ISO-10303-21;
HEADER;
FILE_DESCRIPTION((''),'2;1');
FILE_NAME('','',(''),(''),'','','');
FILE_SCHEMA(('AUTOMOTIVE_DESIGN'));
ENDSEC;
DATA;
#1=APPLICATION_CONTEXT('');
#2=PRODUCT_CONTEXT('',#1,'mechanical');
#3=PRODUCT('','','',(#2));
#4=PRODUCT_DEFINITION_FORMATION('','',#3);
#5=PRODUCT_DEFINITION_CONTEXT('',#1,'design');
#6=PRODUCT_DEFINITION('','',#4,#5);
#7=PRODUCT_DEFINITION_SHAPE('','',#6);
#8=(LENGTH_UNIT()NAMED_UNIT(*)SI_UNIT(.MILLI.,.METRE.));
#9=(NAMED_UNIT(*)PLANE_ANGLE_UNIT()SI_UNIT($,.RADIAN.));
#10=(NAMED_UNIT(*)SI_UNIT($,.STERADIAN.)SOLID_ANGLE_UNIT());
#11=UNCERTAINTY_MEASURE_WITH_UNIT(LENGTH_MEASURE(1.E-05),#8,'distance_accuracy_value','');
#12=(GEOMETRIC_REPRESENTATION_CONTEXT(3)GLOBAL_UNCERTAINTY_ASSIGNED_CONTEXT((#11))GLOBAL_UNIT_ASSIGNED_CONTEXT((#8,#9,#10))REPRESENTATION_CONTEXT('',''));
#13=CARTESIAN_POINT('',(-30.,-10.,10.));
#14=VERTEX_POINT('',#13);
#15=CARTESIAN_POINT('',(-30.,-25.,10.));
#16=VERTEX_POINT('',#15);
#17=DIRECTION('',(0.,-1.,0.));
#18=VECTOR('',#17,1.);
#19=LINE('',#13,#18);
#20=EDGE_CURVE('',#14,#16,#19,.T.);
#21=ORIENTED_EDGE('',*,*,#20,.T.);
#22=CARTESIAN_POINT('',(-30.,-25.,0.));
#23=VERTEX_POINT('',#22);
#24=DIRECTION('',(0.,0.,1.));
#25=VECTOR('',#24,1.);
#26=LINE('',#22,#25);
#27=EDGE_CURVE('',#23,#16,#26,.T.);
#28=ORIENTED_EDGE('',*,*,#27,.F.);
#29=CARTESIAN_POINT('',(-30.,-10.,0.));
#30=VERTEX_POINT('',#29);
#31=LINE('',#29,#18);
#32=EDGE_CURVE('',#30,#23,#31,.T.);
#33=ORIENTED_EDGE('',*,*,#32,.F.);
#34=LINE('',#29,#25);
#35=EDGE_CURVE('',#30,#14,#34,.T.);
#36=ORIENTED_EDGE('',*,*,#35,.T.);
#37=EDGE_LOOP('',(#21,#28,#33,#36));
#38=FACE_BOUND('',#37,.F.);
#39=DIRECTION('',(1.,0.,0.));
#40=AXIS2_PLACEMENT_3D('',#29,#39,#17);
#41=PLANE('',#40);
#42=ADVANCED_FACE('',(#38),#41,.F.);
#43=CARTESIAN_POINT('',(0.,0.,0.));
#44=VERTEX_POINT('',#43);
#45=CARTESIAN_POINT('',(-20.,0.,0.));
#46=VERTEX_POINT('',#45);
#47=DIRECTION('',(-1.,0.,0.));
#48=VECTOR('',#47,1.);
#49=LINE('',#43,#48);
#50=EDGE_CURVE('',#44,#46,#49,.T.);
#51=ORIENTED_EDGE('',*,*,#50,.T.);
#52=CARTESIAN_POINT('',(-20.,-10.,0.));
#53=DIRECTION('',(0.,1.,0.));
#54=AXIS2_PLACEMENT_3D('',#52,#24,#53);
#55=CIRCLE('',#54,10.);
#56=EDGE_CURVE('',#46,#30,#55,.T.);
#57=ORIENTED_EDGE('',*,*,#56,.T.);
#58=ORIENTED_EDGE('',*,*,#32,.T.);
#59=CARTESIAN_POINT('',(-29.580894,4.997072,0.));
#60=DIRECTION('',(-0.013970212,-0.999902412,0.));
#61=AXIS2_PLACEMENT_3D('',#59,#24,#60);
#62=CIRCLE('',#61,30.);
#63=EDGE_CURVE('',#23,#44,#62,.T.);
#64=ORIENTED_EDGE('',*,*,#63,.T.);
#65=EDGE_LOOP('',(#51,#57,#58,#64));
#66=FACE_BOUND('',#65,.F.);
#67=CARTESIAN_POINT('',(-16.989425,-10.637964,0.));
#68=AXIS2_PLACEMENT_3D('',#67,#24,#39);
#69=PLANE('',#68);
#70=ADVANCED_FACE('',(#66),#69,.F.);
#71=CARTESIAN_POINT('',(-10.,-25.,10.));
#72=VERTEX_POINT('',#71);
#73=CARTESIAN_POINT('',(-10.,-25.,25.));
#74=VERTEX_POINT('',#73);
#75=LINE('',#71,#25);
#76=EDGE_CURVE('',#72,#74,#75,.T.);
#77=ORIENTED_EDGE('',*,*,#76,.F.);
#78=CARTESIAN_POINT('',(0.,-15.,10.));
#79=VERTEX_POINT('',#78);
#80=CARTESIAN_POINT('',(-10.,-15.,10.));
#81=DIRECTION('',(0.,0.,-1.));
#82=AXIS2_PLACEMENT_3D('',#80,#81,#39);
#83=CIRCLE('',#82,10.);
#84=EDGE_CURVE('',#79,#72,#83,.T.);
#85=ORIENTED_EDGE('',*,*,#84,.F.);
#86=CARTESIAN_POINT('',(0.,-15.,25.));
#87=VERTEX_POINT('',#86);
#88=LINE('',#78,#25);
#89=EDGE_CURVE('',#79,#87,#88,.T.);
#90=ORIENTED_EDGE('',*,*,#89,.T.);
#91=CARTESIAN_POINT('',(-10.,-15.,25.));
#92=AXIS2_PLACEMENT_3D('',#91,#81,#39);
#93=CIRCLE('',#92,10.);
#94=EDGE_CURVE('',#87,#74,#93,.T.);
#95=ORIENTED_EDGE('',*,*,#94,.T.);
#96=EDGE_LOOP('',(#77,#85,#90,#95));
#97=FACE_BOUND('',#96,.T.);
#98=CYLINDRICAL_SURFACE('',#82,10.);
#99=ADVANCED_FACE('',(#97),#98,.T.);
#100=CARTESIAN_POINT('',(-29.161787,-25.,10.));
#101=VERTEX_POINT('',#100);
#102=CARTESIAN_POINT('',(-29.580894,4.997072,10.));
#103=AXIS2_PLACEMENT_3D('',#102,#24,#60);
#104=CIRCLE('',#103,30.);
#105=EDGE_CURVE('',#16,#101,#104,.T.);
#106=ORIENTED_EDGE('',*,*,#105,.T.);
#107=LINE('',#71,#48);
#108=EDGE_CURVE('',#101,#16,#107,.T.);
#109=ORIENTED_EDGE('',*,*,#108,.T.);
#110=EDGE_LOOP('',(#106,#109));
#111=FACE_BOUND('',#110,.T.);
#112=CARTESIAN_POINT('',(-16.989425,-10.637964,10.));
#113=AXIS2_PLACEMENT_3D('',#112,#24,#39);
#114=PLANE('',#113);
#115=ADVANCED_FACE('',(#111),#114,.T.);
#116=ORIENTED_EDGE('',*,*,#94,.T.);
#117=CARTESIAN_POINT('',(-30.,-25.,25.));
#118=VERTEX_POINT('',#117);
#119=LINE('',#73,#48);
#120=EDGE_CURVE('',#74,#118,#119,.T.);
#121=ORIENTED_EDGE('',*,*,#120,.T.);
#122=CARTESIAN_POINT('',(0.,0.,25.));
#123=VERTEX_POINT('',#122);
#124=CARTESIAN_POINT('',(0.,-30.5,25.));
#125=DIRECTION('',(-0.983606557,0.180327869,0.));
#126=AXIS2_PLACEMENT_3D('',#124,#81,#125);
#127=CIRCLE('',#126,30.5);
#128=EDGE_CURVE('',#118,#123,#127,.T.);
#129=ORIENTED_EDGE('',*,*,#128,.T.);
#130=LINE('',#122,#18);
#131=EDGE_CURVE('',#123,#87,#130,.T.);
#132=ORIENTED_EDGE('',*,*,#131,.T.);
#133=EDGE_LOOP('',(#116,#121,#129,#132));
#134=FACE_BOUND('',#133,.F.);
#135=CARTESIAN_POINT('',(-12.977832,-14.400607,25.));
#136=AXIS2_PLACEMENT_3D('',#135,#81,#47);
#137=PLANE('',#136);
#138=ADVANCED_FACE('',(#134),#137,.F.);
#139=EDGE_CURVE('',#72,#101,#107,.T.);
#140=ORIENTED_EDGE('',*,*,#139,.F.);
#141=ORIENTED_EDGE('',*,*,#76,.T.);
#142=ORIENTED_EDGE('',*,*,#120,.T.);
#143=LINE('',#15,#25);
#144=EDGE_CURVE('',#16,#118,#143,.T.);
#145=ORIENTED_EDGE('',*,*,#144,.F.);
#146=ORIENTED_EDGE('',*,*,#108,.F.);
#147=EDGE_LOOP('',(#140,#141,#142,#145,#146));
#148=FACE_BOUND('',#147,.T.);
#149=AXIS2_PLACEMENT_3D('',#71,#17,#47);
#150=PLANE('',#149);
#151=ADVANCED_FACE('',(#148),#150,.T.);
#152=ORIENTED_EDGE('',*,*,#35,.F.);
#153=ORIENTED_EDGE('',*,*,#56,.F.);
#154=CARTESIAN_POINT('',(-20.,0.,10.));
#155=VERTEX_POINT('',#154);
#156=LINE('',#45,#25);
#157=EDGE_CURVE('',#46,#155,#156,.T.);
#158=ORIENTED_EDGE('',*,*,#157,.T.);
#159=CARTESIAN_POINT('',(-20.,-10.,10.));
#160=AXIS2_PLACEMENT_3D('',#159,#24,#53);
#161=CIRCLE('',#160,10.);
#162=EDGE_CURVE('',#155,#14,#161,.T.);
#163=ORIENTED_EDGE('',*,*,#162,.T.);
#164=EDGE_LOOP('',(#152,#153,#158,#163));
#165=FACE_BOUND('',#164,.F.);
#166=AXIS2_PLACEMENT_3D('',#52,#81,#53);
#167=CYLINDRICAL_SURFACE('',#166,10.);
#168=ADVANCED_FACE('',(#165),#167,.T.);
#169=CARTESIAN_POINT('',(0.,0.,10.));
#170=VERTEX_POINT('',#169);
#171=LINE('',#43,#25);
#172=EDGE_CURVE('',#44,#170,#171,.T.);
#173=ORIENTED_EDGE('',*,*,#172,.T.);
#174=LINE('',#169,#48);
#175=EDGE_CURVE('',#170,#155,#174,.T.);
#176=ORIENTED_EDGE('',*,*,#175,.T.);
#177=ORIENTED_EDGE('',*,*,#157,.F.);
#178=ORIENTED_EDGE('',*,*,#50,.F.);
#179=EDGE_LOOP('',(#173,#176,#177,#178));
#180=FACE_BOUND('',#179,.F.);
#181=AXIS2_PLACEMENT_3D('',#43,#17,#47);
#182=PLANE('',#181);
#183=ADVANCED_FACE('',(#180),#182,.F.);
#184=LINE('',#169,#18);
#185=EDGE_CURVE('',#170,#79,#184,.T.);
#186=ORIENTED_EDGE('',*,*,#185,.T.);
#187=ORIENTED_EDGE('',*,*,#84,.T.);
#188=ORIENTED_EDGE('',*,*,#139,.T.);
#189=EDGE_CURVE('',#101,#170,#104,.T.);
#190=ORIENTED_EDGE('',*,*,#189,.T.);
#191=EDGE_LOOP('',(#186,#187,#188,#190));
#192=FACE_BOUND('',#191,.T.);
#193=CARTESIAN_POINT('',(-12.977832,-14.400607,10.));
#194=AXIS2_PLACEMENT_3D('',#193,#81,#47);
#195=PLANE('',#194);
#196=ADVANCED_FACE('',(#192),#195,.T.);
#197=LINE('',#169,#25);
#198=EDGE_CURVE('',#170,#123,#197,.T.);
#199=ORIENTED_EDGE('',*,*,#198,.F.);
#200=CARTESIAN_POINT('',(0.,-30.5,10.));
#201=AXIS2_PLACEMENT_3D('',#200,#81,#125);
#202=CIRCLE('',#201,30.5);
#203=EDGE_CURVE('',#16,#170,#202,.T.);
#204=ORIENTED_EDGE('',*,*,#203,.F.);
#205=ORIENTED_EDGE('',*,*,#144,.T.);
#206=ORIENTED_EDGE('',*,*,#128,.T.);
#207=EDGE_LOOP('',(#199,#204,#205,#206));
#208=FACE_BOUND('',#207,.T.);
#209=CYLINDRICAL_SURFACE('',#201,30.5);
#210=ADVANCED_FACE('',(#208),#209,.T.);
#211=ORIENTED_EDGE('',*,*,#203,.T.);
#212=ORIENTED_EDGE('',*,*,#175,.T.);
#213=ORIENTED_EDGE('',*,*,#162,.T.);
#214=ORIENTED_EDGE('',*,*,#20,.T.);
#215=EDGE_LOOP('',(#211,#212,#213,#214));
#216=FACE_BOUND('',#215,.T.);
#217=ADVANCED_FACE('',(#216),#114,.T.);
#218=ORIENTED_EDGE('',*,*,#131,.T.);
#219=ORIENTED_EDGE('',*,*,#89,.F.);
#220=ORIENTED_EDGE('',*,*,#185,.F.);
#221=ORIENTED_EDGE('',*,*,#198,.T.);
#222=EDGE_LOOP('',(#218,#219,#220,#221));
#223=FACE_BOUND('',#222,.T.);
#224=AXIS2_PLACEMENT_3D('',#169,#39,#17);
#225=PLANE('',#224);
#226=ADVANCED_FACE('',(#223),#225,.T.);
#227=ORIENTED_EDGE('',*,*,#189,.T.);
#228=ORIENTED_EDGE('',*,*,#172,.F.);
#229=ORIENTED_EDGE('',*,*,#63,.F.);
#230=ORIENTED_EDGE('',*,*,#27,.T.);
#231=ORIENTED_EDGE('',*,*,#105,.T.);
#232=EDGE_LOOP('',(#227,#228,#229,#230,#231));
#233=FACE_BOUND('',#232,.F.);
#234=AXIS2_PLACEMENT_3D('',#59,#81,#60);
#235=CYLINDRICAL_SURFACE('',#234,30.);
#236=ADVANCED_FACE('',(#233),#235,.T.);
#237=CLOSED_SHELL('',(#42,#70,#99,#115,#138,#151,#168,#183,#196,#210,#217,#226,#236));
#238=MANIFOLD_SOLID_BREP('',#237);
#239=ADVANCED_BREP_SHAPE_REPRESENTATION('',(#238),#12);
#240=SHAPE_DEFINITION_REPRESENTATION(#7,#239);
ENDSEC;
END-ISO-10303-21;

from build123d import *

# Parameters (mm, degrees)
BOSS_EXTRUDE1_DEPTH = 10
BOSS_EXTRUDE2_DEPTH = 15


with BuildPart() as part:
    # Sketch1 → Boss-Extrude1 (new body)
    with BuildSketch(Plane.XY):
        with BuildLine():
            Line((0, 0), (-20, 0))
            ThreePointArc((-20, 0), (-27.071067812, -2.928932188), (-30, -10))
            Line((-30, -10), (-30, -25))
            ThreePointArc((-30, -25), (-10.375361639, -18.049566033), (0, 0))
        make_face()
    extrude(amount=BOSS_EXTRUDE1_DEPTH)

    # Sketch2 → Boss-Extrude2 (add)
    with BuildSketch(Plane.XY.offset(10)):
        with BuildLine():
            Line((0, 0), (0, -15))
            ThreePointArc((0, -15), (-2.928932188, -22.071067812), (-10, -25))
            Line((-10, -25), (-30, -25))
            ThreePointArc((-30, -25), (-19.52562419, -7.069250972), (0, 0))
        make_face()
    extrude(amount=BOSS_EXTRUDE2_DEPTH)


solid = part.part
